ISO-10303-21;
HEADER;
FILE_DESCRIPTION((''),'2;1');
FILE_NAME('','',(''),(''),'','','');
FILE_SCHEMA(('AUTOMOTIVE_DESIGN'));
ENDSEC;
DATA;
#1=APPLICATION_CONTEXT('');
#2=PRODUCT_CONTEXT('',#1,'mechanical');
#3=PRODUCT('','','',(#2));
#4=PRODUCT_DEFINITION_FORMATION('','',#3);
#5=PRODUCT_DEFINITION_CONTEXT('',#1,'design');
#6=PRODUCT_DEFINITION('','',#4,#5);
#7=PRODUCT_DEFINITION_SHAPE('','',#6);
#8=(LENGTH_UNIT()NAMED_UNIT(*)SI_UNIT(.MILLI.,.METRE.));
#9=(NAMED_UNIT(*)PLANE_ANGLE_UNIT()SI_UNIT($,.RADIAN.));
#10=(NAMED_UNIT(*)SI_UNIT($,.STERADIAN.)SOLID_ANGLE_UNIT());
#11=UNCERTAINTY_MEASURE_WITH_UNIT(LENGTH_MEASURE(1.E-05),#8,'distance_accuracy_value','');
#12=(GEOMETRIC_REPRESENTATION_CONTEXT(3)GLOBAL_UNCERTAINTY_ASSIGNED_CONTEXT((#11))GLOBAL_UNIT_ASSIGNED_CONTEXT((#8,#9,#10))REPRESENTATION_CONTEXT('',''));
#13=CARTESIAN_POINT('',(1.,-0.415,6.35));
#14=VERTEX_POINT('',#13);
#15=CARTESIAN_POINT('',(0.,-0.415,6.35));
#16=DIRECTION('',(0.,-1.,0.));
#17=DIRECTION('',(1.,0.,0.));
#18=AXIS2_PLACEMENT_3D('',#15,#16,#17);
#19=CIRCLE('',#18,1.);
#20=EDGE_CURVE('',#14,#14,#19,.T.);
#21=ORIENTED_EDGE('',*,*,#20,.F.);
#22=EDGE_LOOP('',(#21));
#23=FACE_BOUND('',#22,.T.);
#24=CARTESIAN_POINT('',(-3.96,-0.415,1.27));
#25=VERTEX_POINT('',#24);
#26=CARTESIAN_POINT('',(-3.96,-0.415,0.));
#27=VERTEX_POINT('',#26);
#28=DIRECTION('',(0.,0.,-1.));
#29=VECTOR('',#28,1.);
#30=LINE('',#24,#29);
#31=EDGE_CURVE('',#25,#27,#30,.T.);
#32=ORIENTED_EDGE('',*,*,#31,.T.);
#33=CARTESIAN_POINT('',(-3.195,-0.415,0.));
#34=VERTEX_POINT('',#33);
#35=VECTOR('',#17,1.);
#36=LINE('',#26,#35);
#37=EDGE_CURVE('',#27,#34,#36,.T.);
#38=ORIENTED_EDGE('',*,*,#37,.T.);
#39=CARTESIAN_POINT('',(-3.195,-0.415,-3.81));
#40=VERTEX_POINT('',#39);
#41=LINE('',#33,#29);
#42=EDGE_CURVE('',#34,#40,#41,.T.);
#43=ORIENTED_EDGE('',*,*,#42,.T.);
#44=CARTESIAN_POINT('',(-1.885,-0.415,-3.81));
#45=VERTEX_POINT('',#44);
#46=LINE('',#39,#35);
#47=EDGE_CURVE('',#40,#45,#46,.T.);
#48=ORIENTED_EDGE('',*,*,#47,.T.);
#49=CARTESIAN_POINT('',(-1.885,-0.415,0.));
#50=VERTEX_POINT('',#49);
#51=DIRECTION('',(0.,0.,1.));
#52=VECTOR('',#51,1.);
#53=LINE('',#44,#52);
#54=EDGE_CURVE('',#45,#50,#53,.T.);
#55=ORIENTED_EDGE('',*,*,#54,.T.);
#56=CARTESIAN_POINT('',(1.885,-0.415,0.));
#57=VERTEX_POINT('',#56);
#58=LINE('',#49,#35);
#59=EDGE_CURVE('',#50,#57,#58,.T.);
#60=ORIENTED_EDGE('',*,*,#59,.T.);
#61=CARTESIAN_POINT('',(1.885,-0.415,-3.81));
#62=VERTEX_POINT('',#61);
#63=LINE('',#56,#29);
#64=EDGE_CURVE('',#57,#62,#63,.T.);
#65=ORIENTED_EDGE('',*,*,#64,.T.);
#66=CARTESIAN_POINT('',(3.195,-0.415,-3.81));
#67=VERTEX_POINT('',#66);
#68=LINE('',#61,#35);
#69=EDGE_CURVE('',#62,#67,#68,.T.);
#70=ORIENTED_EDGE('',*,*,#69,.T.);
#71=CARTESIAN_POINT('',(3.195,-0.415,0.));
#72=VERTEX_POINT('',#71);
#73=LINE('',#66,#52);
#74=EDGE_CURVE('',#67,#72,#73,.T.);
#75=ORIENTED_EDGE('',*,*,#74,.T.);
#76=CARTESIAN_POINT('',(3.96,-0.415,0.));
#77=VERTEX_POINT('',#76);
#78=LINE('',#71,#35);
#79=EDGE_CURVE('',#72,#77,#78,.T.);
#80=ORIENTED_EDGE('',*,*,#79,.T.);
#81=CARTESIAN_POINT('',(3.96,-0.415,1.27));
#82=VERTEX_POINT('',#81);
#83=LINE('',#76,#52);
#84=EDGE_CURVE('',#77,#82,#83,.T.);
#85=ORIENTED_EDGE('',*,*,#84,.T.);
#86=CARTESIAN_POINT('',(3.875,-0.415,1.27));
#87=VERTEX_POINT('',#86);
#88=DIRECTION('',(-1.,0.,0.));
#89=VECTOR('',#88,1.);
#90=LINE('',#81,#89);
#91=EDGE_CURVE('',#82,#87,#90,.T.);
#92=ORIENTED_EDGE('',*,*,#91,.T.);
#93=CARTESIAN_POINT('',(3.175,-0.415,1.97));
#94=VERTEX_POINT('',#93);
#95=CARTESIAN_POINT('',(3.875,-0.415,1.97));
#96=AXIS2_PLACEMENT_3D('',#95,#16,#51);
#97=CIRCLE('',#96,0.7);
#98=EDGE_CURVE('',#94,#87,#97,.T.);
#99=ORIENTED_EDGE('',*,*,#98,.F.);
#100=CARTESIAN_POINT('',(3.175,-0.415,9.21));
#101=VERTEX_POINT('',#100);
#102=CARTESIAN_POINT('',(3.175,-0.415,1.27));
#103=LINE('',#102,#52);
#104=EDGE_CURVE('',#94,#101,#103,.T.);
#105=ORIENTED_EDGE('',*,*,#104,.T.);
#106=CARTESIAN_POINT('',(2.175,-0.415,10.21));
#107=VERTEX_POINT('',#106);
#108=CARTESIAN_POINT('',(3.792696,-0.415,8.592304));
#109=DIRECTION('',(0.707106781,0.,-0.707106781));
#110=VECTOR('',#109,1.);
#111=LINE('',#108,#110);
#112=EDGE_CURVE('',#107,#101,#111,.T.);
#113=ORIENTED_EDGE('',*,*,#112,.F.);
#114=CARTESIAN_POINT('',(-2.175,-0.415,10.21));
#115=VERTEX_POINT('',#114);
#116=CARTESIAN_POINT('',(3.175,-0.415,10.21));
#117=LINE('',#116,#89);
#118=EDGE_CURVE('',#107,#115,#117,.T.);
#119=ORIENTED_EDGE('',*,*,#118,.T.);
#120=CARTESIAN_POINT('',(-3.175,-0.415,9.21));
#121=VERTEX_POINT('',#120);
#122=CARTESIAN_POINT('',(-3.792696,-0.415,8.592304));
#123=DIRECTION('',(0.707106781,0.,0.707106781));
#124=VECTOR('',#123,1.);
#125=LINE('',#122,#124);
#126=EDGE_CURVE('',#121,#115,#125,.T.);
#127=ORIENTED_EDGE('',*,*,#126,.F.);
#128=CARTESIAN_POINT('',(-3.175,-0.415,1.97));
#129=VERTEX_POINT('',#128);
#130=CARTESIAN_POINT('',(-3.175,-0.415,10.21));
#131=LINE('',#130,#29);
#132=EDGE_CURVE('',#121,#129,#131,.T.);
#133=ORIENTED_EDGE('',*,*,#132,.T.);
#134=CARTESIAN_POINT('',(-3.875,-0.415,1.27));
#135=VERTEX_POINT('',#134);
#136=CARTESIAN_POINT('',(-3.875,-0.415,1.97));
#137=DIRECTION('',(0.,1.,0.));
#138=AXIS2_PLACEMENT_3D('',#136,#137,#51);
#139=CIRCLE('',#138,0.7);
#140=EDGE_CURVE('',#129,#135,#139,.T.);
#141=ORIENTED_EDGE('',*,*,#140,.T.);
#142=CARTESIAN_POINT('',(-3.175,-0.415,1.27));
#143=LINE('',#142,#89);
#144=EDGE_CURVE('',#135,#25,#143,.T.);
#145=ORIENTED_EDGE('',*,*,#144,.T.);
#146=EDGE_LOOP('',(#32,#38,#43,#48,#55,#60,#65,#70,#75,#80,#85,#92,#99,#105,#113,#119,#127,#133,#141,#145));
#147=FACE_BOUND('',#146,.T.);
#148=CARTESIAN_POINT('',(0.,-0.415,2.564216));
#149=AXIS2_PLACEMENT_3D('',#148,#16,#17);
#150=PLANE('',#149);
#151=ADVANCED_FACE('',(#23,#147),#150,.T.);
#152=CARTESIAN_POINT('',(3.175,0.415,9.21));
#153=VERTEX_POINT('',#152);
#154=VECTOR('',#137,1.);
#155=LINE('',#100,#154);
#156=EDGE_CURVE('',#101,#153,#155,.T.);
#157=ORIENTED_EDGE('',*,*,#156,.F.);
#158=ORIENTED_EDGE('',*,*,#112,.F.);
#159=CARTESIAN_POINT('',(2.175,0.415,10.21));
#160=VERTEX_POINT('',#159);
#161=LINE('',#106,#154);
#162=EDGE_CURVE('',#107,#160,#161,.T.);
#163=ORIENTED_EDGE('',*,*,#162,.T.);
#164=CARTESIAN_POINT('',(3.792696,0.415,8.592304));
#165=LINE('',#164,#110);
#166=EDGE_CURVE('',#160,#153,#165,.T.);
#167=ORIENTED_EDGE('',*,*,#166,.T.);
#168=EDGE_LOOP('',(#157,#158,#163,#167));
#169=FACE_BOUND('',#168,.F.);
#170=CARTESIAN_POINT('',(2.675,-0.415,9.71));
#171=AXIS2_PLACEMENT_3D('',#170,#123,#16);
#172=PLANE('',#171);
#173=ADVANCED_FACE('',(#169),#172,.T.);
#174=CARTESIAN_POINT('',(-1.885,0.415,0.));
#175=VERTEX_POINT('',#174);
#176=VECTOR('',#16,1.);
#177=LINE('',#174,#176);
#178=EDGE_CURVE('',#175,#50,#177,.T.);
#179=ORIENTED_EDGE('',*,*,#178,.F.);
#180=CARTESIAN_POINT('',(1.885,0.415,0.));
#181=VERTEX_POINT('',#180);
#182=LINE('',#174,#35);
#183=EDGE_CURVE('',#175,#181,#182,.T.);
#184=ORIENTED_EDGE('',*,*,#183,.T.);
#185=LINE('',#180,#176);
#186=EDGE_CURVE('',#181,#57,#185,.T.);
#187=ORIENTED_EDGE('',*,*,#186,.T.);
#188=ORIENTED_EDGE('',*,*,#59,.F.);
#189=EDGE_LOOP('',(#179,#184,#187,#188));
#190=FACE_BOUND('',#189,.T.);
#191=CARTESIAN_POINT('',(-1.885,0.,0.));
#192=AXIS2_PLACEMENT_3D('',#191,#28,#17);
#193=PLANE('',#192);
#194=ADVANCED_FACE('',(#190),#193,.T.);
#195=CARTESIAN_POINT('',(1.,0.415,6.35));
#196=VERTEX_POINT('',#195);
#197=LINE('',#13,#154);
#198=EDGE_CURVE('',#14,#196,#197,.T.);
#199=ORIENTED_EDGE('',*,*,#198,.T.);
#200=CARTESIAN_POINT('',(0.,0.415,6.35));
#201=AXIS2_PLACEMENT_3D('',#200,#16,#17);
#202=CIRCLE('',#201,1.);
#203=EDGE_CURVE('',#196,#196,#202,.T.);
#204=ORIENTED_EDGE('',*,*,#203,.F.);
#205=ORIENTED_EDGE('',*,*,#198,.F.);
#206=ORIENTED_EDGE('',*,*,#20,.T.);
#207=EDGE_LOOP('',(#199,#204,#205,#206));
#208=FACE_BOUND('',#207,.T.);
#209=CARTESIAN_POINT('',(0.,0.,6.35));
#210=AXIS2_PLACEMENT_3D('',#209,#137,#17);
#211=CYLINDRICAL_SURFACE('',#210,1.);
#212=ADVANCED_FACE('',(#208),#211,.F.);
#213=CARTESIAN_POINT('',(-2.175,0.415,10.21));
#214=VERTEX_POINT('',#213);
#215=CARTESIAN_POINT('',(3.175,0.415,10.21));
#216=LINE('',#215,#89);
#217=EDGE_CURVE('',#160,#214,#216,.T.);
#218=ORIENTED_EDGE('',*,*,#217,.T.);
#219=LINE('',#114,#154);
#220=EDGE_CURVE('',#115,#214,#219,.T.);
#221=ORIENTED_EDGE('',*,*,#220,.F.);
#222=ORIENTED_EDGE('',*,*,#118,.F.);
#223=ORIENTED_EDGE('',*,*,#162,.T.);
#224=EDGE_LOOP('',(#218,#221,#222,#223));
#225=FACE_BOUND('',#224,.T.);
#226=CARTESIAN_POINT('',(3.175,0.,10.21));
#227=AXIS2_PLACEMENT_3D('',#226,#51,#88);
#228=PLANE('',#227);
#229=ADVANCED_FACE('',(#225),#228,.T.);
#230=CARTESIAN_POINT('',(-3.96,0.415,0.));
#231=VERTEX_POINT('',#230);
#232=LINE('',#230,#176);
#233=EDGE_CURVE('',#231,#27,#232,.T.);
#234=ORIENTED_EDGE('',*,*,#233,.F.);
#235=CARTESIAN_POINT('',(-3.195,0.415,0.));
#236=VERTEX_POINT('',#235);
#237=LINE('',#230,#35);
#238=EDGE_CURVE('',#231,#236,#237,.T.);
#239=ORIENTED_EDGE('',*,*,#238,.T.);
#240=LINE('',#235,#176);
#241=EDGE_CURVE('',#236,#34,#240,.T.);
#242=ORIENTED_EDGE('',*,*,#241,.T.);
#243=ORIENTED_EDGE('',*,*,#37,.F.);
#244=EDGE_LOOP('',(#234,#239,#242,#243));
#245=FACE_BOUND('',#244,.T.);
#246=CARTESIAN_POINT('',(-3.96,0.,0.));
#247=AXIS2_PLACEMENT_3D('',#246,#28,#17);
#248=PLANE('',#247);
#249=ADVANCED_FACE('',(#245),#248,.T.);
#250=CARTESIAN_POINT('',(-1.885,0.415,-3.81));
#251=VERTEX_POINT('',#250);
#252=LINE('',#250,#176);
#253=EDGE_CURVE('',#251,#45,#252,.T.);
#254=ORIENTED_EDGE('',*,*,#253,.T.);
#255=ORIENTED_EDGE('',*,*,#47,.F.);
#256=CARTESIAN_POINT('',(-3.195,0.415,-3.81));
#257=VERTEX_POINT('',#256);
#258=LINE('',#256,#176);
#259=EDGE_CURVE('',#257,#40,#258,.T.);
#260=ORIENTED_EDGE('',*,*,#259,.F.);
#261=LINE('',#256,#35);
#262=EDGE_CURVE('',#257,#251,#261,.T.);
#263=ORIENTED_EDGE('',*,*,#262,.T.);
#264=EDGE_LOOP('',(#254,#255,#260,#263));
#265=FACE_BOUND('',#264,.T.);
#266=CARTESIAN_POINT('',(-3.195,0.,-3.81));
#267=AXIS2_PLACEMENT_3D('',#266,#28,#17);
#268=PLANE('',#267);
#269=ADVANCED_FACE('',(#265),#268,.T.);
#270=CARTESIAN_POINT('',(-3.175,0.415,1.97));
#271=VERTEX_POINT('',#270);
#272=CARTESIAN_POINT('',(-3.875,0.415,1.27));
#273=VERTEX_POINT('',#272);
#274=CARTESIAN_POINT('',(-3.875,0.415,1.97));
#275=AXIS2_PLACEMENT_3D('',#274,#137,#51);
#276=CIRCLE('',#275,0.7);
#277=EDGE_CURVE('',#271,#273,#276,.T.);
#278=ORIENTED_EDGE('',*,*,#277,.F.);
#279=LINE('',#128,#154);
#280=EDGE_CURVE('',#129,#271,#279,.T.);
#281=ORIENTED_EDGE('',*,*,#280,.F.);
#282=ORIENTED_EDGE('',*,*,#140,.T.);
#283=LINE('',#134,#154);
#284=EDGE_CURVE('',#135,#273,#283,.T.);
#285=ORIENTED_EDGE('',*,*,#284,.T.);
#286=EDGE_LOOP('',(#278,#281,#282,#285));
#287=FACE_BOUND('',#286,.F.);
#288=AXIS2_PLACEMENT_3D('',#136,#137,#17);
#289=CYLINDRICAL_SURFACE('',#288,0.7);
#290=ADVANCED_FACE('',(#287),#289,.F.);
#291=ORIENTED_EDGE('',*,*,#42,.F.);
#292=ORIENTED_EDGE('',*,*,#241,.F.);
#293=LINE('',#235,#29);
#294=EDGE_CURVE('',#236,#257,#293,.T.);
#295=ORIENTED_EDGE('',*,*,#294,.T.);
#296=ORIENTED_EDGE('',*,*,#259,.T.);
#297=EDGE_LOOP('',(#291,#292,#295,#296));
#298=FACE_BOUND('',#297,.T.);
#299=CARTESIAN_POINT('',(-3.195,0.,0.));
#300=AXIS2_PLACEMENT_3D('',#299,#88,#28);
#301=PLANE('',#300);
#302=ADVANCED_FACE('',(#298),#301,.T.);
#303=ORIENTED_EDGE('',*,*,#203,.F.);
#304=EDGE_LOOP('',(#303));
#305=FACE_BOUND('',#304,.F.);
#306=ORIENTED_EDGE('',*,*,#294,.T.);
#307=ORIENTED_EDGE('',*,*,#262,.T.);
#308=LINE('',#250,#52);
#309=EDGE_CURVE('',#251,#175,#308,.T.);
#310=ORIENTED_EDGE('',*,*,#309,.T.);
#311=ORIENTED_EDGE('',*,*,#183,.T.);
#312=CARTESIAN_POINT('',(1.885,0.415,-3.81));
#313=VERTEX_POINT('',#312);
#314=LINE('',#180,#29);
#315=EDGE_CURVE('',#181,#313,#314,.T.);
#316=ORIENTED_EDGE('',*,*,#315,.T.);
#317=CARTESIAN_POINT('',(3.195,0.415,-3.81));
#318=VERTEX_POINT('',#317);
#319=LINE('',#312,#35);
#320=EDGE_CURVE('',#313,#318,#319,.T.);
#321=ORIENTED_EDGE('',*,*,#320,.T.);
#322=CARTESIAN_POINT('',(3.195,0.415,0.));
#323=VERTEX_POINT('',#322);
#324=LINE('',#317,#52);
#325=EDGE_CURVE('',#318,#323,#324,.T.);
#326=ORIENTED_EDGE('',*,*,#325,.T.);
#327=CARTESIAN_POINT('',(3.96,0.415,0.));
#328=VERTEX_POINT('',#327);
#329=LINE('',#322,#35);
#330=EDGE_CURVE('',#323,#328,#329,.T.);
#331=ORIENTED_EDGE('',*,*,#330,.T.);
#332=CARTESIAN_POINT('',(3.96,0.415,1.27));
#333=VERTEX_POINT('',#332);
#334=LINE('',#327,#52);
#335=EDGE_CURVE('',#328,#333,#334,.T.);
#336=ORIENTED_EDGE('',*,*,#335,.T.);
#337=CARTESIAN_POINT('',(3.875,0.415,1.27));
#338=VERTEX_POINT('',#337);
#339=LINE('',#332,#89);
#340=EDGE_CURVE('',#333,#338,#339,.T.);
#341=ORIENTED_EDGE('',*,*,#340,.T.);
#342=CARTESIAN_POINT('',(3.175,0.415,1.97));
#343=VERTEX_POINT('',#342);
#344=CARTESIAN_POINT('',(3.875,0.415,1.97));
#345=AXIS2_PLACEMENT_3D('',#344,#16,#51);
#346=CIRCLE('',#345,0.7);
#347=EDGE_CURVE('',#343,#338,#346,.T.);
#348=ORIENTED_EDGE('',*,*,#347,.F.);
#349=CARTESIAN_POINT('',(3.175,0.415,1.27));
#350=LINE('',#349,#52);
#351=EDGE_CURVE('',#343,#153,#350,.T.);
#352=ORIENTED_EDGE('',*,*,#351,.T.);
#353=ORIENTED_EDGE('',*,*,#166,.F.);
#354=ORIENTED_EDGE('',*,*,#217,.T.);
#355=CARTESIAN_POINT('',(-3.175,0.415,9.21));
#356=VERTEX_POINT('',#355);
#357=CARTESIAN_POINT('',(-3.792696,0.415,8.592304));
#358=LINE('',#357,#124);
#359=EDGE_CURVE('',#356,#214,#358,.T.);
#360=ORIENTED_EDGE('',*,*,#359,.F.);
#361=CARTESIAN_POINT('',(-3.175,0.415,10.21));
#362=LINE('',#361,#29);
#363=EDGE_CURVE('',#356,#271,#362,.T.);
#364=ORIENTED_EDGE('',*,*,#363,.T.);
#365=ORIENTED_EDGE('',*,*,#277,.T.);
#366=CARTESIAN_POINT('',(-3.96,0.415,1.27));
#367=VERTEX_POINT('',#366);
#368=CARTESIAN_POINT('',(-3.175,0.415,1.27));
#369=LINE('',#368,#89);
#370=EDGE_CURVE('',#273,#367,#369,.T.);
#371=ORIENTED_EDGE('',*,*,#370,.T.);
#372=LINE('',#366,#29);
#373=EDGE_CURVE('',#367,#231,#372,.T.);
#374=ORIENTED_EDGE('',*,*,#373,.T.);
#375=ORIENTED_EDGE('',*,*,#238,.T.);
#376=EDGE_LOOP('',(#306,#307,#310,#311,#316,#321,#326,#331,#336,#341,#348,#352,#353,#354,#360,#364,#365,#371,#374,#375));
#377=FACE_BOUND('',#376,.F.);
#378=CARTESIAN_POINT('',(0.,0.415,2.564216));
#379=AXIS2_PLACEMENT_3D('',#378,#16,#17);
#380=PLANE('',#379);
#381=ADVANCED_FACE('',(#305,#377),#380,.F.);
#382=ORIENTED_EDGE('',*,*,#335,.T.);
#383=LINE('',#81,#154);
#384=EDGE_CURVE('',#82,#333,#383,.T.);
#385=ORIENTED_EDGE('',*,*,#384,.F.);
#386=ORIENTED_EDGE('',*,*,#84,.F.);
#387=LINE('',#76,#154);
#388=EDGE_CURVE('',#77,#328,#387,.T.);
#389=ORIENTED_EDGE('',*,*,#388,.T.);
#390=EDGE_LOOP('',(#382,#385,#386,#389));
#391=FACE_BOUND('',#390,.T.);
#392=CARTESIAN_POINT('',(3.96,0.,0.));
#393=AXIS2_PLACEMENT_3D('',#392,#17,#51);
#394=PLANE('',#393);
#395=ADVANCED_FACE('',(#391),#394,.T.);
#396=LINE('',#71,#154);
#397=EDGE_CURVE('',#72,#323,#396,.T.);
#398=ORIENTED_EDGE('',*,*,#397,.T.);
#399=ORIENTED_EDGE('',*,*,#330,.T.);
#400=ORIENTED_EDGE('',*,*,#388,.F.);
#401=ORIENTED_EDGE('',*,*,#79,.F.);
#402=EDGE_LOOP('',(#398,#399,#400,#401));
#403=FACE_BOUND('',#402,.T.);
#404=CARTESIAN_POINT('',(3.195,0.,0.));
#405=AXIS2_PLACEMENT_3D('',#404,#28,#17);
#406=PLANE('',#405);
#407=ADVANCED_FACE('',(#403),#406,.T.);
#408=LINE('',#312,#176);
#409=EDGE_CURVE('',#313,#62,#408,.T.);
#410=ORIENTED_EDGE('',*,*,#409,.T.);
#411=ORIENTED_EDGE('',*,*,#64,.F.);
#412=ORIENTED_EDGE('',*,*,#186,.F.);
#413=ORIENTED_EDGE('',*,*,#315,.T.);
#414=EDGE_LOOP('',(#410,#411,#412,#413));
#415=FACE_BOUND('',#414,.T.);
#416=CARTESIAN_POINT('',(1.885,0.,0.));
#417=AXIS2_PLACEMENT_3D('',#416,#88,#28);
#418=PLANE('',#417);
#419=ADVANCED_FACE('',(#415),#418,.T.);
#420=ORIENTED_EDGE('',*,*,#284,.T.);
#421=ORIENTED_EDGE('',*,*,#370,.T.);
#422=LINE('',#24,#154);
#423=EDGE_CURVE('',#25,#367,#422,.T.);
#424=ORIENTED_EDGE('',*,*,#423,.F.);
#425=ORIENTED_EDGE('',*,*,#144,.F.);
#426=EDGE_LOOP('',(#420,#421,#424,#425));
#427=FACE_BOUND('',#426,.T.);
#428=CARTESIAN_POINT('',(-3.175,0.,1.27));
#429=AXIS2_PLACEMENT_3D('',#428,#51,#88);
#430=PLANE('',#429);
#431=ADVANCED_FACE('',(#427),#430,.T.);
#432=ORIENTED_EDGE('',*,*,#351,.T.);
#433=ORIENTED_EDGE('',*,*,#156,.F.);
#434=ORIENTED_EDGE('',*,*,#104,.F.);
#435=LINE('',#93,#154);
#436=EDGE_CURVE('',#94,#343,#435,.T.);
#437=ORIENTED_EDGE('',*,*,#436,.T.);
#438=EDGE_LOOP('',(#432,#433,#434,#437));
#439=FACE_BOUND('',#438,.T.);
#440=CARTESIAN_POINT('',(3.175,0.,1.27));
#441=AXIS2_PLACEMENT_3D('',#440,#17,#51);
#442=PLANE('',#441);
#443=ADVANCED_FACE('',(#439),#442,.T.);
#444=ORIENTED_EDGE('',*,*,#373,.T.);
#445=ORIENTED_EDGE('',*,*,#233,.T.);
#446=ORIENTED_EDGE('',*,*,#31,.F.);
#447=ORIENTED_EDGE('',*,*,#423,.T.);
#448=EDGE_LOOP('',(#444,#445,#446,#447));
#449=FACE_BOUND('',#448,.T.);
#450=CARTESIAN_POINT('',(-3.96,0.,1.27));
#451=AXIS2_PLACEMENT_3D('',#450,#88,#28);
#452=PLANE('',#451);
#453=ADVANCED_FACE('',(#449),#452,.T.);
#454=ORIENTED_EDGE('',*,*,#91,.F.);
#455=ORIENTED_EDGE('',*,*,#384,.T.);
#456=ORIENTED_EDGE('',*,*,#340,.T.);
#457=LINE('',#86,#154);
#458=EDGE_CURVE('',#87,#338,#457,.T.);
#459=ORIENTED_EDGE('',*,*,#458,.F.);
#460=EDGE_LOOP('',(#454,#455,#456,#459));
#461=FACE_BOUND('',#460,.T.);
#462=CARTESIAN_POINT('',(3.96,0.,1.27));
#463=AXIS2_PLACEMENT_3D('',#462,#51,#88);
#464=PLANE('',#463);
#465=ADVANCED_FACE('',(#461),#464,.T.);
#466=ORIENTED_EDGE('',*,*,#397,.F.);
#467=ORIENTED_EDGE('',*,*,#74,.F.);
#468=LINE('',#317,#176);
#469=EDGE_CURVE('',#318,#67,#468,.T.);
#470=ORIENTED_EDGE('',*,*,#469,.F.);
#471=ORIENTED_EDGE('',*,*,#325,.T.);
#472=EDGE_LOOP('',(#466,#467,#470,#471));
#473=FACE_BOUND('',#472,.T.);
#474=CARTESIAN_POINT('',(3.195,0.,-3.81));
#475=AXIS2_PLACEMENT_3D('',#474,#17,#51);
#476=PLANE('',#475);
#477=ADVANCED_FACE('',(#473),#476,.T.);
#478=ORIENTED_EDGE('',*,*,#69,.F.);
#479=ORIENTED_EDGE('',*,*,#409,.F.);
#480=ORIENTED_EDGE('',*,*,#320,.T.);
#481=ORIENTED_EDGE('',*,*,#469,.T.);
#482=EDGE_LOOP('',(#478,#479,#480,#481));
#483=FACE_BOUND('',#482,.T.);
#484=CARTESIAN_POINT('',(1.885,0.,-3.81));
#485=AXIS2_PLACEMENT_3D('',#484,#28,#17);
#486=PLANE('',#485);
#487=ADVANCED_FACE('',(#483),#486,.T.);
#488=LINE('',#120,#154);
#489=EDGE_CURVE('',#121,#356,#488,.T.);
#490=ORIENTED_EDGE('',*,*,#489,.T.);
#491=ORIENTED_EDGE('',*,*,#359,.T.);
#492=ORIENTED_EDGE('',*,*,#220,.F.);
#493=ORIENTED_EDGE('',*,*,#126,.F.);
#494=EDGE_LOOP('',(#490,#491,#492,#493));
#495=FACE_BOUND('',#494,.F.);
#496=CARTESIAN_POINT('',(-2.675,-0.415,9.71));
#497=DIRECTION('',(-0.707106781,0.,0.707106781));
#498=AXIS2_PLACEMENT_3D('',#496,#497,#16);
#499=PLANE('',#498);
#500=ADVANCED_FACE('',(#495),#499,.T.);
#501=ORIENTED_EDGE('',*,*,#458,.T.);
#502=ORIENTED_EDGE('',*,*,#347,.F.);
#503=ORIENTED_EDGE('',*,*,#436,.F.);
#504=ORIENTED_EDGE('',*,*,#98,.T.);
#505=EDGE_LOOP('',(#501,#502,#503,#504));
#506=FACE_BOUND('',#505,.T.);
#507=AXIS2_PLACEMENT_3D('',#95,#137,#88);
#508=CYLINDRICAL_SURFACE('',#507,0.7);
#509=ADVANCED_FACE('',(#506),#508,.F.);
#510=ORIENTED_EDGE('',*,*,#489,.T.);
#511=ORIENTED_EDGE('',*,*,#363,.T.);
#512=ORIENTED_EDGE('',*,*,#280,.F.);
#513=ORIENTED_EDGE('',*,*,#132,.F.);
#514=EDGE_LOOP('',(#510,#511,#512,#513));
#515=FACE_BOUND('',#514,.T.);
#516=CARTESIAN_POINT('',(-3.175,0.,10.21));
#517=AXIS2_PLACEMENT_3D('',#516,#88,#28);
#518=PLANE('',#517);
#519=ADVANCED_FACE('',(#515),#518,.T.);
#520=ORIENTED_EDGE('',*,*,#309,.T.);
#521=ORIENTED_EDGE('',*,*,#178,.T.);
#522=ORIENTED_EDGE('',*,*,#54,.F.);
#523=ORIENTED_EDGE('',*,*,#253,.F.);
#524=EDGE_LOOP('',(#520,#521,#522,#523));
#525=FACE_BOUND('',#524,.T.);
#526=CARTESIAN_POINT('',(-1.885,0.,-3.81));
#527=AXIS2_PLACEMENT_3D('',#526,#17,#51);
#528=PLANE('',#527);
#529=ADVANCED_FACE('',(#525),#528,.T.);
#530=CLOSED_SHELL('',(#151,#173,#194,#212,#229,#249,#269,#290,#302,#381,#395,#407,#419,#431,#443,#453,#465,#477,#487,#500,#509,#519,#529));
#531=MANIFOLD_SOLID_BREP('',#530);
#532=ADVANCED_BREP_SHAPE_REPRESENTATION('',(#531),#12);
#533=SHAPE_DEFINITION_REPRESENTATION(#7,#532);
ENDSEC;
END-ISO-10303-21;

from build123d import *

# Parameters (mm, degrees)
F0_R     = 1
F1_DEPTH = 0.415
F2_SIZE  = 1
F3_R     = 0.7


with BuildPart() as f1:
    # F0 (on Front) → F1 (new body, symmetric)
    with BuildSketch(Plane.XZ):
        Polygon((-3.96, 1.27), (-3.96, 0), (-3.195, 0), (-3.195, -3.81), (-1.885, -3.81), (-1.885, 0), (1.885, 0), (1.885, -3.81), (3.195, -3.81), (3.195, 0), (3.96, 0), (3.96, 1.27), (3.175, 1.27), (3.175, 10.21), (-3.175, 10.21), (-3.175, 1.27), align=None)
        with Locations((0, 6.35)):
            Circle(F0_R, mode=Mode.SUBTRACT)
    extrude(amount=F1_DEPTH, both=True)

    # F2
    f2_edges = [f1.edges().sort_by_distance(p)[0] for p in [
        (3.175, 0, 10.21),
        (-3.175, 0, 10.21),
    ]]
    chamfer(f2_edges, length=F2_SIZE)

    # F3
    f3_edges = [f1.edges().sort_by_distance(p)[0] for p in [
        (3.175, 0, 1.27),
        (-3.175, 0, 1.27),
    ]]
    fillet(f3_edges, radius=F3_R)


solid = f1.part
